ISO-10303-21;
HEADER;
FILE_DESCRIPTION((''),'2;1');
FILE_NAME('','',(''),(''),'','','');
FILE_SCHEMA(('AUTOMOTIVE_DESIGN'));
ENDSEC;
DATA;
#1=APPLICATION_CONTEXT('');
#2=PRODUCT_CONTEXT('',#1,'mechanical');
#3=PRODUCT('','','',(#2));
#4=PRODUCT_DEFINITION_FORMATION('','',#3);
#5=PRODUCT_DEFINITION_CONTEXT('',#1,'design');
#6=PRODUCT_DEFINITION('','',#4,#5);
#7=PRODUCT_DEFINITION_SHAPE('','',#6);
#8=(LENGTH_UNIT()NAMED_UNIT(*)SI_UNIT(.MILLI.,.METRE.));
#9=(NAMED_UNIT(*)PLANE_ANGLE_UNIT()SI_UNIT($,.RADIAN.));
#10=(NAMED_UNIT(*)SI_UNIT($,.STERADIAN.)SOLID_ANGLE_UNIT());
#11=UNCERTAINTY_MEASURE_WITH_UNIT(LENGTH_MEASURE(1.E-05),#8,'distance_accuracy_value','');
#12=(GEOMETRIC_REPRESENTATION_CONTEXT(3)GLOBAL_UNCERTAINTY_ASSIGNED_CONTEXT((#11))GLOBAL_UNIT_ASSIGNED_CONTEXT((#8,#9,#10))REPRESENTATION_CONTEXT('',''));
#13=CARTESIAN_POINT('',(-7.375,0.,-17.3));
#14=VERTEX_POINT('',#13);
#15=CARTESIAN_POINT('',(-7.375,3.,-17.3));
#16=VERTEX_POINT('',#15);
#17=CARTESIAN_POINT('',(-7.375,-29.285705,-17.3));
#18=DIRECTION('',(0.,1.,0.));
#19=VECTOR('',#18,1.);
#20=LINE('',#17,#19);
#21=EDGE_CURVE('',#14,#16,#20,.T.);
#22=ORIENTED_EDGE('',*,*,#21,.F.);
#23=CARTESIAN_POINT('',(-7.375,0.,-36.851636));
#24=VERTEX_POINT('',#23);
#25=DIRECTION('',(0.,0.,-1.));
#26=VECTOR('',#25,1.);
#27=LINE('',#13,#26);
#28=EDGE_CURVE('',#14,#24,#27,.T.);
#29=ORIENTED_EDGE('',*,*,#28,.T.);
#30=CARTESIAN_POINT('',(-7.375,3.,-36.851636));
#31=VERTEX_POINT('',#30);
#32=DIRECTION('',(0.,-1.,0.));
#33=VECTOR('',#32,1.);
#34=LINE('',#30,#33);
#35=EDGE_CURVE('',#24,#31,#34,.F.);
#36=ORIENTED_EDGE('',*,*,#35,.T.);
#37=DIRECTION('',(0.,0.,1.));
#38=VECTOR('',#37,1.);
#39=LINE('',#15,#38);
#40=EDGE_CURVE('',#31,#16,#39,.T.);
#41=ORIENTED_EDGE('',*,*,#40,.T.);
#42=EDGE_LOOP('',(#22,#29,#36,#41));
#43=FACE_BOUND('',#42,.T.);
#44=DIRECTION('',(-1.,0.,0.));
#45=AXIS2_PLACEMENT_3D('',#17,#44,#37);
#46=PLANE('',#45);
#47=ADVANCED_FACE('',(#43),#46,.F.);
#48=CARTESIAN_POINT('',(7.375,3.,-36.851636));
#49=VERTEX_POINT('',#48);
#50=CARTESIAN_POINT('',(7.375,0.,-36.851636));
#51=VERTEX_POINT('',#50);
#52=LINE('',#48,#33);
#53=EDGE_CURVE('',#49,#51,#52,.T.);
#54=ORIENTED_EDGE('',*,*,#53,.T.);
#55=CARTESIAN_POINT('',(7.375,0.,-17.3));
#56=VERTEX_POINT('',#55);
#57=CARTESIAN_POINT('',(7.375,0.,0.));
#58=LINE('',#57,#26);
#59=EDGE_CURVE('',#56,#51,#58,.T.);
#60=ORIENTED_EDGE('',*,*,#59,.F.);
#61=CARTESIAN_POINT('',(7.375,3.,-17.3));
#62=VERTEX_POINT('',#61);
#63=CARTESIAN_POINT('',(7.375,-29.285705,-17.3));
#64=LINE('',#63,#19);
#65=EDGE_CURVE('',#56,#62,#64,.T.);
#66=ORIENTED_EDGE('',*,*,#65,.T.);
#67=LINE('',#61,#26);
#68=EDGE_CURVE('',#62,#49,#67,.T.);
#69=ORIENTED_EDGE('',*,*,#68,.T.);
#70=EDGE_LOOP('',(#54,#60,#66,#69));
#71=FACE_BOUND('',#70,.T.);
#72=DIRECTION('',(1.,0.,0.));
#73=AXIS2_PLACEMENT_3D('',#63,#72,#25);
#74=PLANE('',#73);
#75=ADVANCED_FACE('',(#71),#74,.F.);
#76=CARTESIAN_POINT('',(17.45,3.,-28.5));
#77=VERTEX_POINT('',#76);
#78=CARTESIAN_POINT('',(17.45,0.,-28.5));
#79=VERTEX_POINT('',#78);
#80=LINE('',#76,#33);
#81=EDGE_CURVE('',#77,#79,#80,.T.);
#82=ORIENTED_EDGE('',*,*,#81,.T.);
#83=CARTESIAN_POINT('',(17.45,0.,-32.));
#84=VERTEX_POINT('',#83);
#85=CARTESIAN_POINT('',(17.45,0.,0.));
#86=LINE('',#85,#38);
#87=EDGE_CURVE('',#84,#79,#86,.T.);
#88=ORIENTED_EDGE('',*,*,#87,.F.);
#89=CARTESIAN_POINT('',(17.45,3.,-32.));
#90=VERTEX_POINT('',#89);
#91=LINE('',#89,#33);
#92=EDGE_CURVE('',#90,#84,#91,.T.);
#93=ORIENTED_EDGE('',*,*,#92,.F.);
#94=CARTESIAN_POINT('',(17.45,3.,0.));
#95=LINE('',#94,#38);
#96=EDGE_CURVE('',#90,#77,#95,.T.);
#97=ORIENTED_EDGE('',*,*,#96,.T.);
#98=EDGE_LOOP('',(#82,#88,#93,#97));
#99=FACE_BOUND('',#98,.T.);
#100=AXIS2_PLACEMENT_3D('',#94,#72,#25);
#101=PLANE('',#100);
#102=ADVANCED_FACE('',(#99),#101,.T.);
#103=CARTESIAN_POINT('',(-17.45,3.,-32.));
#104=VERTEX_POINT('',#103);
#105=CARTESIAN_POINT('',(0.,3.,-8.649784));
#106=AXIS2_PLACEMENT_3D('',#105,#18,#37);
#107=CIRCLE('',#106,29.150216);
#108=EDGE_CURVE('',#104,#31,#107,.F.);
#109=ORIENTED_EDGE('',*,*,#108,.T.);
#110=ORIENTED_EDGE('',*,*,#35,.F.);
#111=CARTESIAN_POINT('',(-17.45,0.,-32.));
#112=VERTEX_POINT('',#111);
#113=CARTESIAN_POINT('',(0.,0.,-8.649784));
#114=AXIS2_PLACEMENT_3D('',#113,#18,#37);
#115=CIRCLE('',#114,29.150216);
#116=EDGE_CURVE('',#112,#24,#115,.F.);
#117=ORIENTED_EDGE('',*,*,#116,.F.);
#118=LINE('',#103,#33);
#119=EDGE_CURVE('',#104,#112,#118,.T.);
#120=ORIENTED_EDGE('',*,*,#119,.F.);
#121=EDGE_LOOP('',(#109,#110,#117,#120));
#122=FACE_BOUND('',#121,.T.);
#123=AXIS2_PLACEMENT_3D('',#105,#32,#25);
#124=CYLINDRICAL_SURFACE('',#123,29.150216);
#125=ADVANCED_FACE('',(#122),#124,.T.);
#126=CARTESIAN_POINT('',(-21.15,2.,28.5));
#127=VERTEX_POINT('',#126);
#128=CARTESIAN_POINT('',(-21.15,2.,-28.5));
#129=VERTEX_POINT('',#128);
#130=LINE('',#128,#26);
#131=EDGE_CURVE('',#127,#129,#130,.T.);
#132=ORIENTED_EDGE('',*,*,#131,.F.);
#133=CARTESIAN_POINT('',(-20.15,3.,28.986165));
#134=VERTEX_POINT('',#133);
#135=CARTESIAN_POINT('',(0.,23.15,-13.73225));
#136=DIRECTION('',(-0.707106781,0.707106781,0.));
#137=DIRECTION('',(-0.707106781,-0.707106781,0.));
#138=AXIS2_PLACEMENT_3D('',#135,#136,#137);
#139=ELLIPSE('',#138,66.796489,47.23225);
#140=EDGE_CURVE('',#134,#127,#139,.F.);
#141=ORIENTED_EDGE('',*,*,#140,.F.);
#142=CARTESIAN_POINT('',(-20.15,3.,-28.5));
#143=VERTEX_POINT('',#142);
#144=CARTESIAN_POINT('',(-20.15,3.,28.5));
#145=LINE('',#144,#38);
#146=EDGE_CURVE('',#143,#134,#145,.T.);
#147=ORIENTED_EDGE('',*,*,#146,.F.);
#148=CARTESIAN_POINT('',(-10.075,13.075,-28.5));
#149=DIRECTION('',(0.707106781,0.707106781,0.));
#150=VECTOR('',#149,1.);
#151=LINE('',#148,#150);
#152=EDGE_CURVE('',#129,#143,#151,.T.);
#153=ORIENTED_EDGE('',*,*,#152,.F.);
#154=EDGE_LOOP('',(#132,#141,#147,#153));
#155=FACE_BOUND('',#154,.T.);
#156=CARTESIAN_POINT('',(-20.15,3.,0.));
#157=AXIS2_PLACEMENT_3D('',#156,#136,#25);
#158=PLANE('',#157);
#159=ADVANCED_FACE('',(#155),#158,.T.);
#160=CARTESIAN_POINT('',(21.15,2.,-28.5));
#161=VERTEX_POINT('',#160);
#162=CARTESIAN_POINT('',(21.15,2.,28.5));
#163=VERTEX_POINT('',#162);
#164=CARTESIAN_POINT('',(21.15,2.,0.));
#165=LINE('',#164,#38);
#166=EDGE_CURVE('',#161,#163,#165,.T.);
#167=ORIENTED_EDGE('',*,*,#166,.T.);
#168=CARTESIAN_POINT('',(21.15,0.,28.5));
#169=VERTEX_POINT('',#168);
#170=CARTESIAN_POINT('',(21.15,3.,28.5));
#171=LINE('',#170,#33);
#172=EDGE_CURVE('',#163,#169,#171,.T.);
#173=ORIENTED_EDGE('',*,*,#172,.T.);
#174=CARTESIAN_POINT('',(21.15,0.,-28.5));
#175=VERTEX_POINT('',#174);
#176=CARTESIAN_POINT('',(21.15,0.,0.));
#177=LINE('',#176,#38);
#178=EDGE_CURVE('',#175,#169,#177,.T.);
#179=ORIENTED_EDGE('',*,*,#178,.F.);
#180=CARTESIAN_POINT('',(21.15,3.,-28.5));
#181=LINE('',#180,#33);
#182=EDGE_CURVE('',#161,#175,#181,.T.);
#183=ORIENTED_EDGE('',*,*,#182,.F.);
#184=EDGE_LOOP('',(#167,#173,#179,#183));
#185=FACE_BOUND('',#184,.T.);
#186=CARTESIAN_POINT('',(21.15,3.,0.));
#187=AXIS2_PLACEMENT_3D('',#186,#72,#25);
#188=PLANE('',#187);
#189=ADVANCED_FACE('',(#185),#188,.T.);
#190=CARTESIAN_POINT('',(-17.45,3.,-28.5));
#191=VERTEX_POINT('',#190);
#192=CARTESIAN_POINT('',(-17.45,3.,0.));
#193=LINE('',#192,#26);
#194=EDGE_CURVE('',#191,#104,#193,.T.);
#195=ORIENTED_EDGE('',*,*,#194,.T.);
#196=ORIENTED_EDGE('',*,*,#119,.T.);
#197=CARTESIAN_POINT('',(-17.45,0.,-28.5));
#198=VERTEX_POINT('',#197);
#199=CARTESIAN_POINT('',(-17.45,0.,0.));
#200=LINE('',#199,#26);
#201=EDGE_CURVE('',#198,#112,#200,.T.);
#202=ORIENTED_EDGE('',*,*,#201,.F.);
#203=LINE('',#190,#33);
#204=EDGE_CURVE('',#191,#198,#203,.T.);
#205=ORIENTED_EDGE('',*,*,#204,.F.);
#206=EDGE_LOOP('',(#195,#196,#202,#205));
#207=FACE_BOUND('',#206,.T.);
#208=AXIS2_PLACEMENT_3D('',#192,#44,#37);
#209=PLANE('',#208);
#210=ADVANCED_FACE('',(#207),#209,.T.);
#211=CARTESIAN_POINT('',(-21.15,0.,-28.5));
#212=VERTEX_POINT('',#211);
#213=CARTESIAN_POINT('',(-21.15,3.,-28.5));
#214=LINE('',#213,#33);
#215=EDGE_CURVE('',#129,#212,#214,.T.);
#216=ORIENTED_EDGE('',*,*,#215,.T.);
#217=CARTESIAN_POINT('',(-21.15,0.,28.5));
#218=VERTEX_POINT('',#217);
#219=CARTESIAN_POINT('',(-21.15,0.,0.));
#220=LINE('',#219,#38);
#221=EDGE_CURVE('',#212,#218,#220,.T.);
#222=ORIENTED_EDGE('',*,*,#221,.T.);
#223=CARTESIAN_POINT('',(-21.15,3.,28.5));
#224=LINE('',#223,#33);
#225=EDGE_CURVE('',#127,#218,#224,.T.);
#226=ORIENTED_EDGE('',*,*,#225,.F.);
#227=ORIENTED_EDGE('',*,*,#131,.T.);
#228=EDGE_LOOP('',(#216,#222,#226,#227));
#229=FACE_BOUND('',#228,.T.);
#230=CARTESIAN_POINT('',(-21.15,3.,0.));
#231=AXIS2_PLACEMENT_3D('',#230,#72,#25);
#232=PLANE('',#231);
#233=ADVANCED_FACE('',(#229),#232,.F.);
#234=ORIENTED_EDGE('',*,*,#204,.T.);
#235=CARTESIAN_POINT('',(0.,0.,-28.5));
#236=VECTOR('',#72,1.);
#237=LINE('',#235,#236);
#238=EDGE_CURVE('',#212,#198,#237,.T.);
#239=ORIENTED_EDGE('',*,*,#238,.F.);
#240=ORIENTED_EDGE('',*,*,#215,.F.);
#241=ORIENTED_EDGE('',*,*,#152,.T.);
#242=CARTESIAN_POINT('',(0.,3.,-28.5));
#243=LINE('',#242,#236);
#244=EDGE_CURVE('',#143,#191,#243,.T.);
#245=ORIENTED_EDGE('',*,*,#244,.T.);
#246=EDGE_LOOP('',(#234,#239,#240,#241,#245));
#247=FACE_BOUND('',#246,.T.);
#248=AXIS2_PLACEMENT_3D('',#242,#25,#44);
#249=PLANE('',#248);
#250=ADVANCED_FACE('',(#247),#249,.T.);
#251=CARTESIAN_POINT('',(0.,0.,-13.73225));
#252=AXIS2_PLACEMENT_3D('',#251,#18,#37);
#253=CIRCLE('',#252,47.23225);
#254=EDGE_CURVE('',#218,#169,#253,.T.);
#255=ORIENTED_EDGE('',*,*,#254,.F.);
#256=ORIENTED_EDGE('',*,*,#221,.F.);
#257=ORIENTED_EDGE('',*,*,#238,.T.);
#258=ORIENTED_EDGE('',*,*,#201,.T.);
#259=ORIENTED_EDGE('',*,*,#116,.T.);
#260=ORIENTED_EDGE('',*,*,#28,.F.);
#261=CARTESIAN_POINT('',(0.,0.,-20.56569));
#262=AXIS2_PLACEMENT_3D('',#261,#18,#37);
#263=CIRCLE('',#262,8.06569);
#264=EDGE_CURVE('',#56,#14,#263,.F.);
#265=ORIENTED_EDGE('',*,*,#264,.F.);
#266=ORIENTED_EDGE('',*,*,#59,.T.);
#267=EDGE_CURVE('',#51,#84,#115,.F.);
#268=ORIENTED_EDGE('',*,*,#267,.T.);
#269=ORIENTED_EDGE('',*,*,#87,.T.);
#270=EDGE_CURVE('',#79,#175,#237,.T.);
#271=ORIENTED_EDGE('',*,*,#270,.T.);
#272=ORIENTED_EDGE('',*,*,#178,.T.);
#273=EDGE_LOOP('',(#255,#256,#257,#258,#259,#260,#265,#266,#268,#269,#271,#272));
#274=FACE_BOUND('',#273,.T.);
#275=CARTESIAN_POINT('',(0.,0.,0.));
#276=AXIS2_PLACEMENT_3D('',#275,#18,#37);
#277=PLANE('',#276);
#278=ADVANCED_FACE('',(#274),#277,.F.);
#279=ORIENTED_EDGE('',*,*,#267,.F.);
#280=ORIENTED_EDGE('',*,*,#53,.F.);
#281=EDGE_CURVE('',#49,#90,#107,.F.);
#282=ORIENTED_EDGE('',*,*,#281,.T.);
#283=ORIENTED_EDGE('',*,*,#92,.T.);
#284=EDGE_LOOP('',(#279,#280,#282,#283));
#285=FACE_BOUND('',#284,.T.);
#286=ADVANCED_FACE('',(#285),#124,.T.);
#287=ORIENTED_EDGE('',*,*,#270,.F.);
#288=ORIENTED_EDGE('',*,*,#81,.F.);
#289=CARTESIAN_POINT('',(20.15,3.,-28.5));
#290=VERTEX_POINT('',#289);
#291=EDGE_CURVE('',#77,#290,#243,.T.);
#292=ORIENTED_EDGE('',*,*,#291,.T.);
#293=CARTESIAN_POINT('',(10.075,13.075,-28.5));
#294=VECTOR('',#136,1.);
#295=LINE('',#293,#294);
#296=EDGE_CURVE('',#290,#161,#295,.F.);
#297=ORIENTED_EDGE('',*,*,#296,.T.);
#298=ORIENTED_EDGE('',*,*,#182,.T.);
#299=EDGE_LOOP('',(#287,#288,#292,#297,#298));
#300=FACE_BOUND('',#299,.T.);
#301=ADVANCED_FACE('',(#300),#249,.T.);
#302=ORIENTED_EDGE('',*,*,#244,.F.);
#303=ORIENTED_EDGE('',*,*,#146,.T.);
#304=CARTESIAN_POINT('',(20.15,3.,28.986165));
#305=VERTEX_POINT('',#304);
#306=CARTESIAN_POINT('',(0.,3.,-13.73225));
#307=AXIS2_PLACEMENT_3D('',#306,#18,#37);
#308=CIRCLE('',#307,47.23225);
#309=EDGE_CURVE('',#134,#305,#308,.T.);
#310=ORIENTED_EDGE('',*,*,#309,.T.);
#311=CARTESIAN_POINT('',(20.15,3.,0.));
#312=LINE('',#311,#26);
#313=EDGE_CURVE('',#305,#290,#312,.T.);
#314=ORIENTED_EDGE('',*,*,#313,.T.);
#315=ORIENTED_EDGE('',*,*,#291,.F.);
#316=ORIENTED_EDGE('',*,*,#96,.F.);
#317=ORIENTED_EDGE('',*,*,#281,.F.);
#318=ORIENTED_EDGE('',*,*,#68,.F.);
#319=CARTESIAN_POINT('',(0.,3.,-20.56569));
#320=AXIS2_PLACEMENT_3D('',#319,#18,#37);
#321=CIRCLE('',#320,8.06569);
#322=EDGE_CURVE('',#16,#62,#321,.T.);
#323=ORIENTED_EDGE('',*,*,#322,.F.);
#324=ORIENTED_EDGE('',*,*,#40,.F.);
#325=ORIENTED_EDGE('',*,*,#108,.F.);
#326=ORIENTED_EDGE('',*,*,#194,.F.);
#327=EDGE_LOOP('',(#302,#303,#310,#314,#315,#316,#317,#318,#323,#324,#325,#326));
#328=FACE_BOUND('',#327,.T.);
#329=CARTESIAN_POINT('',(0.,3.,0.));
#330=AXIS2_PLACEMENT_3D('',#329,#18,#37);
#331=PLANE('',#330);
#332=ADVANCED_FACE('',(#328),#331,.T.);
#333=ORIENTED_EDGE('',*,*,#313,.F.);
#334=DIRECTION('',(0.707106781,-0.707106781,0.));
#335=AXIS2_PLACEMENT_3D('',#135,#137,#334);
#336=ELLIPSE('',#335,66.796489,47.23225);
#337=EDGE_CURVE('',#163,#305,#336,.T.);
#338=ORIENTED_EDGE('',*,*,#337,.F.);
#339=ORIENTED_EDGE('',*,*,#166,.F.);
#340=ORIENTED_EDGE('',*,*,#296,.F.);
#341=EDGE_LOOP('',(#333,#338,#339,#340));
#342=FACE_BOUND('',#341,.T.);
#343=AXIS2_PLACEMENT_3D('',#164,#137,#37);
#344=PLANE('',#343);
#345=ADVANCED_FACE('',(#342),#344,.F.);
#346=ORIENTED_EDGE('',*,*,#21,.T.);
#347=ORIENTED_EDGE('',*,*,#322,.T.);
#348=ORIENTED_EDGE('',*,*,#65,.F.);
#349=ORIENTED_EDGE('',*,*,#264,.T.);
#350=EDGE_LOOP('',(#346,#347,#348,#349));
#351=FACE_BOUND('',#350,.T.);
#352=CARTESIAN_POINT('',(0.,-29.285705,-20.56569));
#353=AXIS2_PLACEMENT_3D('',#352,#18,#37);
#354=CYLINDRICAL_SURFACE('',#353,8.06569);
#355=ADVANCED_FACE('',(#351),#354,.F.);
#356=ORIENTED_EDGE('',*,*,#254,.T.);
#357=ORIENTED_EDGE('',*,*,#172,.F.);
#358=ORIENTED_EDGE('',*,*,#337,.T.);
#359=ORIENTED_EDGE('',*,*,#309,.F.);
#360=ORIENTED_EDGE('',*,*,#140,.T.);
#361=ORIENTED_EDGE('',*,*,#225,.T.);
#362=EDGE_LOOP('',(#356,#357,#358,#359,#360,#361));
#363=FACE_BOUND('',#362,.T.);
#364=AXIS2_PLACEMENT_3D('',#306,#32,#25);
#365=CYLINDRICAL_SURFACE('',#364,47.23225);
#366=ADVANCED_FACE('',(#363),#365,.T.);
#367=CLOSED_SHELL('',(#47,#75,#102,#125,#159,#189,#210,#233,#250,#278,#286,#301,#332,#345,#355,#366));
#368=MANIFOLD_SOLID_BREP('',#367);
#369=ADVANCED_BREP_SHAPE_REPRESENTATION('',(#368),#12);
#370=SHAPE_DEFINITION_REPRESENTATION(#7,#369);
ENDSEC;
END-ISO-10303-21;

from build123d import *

# Parameters (mm, degrees)
BOSS_EXTRUDE1_DEPTH = 3
CUT_EXTRUDE1_DEPTH  = 3
CHAMFER1_SIZE       = 1


with BuildPart() as part:
    # Sketch1 → Boss-Extrude1 (new body)
    with BuildSketch(Plane(origin=(0, 0, 0), x_dir=(1, 0, 0), z_dir=(0, 1, 0))):
        with BuildLine():
            Line((-21.15, 28.5), (-21.15, -28.5))
            ThreePointArc((-21.15, -28.5), (0, -33.5), (21.15, -28.5))
            Line((21.15, -28.5), (21.15, 28.5))
            Line((21.15, 28.5), (-21.15, 28.5))
        make_face()
        with BuildLine():
            Line((-17.45, 32), (-17.45, 28.5))
            Line((-17.45, 28.5), (17.45, 28.5))
            Line((17.45, 28.5), (17.45, 32))
            ThreePointArc((17.45, 32), (0, 37.8), (-17.45, 32))
        make_face()
    extrude(amount=BOSS_EXTRUDE1_DEPTH)

    # Sketch2 → Cut-Extrude1 (cut)
    with BuildSketch(Plane(origin=(0, 3, 0), x_dir=(1, 0, 0), z_dir=(0, 1, 0))):
        with BuildLine():
            Line((-7.375, 17.3), (-7.375, 37.8))
            Line((-7.375, 37.8), (7.375, 37.8))
            Line((7.375, 37.8), (7.375, 17.3))
            ThreePointArc((7.375, 17.3), (0, 12.5), (-7.375, 17.3))
        make_face()
    extrude(amount=-CUT_EXTRUDE1_DEPTH, mode=Mode.SUBTRACT)

    # Chamfer1
    chamfer1_edges = [part.edges().sort_by_distance(p)[0] for p in [
        (21.15, 3, 0),
        (-21.15, 3, 0),
    ]]
    chamfer(chamfer1_edges, length=CHAMFER1_SIZE)


solid = part.part
